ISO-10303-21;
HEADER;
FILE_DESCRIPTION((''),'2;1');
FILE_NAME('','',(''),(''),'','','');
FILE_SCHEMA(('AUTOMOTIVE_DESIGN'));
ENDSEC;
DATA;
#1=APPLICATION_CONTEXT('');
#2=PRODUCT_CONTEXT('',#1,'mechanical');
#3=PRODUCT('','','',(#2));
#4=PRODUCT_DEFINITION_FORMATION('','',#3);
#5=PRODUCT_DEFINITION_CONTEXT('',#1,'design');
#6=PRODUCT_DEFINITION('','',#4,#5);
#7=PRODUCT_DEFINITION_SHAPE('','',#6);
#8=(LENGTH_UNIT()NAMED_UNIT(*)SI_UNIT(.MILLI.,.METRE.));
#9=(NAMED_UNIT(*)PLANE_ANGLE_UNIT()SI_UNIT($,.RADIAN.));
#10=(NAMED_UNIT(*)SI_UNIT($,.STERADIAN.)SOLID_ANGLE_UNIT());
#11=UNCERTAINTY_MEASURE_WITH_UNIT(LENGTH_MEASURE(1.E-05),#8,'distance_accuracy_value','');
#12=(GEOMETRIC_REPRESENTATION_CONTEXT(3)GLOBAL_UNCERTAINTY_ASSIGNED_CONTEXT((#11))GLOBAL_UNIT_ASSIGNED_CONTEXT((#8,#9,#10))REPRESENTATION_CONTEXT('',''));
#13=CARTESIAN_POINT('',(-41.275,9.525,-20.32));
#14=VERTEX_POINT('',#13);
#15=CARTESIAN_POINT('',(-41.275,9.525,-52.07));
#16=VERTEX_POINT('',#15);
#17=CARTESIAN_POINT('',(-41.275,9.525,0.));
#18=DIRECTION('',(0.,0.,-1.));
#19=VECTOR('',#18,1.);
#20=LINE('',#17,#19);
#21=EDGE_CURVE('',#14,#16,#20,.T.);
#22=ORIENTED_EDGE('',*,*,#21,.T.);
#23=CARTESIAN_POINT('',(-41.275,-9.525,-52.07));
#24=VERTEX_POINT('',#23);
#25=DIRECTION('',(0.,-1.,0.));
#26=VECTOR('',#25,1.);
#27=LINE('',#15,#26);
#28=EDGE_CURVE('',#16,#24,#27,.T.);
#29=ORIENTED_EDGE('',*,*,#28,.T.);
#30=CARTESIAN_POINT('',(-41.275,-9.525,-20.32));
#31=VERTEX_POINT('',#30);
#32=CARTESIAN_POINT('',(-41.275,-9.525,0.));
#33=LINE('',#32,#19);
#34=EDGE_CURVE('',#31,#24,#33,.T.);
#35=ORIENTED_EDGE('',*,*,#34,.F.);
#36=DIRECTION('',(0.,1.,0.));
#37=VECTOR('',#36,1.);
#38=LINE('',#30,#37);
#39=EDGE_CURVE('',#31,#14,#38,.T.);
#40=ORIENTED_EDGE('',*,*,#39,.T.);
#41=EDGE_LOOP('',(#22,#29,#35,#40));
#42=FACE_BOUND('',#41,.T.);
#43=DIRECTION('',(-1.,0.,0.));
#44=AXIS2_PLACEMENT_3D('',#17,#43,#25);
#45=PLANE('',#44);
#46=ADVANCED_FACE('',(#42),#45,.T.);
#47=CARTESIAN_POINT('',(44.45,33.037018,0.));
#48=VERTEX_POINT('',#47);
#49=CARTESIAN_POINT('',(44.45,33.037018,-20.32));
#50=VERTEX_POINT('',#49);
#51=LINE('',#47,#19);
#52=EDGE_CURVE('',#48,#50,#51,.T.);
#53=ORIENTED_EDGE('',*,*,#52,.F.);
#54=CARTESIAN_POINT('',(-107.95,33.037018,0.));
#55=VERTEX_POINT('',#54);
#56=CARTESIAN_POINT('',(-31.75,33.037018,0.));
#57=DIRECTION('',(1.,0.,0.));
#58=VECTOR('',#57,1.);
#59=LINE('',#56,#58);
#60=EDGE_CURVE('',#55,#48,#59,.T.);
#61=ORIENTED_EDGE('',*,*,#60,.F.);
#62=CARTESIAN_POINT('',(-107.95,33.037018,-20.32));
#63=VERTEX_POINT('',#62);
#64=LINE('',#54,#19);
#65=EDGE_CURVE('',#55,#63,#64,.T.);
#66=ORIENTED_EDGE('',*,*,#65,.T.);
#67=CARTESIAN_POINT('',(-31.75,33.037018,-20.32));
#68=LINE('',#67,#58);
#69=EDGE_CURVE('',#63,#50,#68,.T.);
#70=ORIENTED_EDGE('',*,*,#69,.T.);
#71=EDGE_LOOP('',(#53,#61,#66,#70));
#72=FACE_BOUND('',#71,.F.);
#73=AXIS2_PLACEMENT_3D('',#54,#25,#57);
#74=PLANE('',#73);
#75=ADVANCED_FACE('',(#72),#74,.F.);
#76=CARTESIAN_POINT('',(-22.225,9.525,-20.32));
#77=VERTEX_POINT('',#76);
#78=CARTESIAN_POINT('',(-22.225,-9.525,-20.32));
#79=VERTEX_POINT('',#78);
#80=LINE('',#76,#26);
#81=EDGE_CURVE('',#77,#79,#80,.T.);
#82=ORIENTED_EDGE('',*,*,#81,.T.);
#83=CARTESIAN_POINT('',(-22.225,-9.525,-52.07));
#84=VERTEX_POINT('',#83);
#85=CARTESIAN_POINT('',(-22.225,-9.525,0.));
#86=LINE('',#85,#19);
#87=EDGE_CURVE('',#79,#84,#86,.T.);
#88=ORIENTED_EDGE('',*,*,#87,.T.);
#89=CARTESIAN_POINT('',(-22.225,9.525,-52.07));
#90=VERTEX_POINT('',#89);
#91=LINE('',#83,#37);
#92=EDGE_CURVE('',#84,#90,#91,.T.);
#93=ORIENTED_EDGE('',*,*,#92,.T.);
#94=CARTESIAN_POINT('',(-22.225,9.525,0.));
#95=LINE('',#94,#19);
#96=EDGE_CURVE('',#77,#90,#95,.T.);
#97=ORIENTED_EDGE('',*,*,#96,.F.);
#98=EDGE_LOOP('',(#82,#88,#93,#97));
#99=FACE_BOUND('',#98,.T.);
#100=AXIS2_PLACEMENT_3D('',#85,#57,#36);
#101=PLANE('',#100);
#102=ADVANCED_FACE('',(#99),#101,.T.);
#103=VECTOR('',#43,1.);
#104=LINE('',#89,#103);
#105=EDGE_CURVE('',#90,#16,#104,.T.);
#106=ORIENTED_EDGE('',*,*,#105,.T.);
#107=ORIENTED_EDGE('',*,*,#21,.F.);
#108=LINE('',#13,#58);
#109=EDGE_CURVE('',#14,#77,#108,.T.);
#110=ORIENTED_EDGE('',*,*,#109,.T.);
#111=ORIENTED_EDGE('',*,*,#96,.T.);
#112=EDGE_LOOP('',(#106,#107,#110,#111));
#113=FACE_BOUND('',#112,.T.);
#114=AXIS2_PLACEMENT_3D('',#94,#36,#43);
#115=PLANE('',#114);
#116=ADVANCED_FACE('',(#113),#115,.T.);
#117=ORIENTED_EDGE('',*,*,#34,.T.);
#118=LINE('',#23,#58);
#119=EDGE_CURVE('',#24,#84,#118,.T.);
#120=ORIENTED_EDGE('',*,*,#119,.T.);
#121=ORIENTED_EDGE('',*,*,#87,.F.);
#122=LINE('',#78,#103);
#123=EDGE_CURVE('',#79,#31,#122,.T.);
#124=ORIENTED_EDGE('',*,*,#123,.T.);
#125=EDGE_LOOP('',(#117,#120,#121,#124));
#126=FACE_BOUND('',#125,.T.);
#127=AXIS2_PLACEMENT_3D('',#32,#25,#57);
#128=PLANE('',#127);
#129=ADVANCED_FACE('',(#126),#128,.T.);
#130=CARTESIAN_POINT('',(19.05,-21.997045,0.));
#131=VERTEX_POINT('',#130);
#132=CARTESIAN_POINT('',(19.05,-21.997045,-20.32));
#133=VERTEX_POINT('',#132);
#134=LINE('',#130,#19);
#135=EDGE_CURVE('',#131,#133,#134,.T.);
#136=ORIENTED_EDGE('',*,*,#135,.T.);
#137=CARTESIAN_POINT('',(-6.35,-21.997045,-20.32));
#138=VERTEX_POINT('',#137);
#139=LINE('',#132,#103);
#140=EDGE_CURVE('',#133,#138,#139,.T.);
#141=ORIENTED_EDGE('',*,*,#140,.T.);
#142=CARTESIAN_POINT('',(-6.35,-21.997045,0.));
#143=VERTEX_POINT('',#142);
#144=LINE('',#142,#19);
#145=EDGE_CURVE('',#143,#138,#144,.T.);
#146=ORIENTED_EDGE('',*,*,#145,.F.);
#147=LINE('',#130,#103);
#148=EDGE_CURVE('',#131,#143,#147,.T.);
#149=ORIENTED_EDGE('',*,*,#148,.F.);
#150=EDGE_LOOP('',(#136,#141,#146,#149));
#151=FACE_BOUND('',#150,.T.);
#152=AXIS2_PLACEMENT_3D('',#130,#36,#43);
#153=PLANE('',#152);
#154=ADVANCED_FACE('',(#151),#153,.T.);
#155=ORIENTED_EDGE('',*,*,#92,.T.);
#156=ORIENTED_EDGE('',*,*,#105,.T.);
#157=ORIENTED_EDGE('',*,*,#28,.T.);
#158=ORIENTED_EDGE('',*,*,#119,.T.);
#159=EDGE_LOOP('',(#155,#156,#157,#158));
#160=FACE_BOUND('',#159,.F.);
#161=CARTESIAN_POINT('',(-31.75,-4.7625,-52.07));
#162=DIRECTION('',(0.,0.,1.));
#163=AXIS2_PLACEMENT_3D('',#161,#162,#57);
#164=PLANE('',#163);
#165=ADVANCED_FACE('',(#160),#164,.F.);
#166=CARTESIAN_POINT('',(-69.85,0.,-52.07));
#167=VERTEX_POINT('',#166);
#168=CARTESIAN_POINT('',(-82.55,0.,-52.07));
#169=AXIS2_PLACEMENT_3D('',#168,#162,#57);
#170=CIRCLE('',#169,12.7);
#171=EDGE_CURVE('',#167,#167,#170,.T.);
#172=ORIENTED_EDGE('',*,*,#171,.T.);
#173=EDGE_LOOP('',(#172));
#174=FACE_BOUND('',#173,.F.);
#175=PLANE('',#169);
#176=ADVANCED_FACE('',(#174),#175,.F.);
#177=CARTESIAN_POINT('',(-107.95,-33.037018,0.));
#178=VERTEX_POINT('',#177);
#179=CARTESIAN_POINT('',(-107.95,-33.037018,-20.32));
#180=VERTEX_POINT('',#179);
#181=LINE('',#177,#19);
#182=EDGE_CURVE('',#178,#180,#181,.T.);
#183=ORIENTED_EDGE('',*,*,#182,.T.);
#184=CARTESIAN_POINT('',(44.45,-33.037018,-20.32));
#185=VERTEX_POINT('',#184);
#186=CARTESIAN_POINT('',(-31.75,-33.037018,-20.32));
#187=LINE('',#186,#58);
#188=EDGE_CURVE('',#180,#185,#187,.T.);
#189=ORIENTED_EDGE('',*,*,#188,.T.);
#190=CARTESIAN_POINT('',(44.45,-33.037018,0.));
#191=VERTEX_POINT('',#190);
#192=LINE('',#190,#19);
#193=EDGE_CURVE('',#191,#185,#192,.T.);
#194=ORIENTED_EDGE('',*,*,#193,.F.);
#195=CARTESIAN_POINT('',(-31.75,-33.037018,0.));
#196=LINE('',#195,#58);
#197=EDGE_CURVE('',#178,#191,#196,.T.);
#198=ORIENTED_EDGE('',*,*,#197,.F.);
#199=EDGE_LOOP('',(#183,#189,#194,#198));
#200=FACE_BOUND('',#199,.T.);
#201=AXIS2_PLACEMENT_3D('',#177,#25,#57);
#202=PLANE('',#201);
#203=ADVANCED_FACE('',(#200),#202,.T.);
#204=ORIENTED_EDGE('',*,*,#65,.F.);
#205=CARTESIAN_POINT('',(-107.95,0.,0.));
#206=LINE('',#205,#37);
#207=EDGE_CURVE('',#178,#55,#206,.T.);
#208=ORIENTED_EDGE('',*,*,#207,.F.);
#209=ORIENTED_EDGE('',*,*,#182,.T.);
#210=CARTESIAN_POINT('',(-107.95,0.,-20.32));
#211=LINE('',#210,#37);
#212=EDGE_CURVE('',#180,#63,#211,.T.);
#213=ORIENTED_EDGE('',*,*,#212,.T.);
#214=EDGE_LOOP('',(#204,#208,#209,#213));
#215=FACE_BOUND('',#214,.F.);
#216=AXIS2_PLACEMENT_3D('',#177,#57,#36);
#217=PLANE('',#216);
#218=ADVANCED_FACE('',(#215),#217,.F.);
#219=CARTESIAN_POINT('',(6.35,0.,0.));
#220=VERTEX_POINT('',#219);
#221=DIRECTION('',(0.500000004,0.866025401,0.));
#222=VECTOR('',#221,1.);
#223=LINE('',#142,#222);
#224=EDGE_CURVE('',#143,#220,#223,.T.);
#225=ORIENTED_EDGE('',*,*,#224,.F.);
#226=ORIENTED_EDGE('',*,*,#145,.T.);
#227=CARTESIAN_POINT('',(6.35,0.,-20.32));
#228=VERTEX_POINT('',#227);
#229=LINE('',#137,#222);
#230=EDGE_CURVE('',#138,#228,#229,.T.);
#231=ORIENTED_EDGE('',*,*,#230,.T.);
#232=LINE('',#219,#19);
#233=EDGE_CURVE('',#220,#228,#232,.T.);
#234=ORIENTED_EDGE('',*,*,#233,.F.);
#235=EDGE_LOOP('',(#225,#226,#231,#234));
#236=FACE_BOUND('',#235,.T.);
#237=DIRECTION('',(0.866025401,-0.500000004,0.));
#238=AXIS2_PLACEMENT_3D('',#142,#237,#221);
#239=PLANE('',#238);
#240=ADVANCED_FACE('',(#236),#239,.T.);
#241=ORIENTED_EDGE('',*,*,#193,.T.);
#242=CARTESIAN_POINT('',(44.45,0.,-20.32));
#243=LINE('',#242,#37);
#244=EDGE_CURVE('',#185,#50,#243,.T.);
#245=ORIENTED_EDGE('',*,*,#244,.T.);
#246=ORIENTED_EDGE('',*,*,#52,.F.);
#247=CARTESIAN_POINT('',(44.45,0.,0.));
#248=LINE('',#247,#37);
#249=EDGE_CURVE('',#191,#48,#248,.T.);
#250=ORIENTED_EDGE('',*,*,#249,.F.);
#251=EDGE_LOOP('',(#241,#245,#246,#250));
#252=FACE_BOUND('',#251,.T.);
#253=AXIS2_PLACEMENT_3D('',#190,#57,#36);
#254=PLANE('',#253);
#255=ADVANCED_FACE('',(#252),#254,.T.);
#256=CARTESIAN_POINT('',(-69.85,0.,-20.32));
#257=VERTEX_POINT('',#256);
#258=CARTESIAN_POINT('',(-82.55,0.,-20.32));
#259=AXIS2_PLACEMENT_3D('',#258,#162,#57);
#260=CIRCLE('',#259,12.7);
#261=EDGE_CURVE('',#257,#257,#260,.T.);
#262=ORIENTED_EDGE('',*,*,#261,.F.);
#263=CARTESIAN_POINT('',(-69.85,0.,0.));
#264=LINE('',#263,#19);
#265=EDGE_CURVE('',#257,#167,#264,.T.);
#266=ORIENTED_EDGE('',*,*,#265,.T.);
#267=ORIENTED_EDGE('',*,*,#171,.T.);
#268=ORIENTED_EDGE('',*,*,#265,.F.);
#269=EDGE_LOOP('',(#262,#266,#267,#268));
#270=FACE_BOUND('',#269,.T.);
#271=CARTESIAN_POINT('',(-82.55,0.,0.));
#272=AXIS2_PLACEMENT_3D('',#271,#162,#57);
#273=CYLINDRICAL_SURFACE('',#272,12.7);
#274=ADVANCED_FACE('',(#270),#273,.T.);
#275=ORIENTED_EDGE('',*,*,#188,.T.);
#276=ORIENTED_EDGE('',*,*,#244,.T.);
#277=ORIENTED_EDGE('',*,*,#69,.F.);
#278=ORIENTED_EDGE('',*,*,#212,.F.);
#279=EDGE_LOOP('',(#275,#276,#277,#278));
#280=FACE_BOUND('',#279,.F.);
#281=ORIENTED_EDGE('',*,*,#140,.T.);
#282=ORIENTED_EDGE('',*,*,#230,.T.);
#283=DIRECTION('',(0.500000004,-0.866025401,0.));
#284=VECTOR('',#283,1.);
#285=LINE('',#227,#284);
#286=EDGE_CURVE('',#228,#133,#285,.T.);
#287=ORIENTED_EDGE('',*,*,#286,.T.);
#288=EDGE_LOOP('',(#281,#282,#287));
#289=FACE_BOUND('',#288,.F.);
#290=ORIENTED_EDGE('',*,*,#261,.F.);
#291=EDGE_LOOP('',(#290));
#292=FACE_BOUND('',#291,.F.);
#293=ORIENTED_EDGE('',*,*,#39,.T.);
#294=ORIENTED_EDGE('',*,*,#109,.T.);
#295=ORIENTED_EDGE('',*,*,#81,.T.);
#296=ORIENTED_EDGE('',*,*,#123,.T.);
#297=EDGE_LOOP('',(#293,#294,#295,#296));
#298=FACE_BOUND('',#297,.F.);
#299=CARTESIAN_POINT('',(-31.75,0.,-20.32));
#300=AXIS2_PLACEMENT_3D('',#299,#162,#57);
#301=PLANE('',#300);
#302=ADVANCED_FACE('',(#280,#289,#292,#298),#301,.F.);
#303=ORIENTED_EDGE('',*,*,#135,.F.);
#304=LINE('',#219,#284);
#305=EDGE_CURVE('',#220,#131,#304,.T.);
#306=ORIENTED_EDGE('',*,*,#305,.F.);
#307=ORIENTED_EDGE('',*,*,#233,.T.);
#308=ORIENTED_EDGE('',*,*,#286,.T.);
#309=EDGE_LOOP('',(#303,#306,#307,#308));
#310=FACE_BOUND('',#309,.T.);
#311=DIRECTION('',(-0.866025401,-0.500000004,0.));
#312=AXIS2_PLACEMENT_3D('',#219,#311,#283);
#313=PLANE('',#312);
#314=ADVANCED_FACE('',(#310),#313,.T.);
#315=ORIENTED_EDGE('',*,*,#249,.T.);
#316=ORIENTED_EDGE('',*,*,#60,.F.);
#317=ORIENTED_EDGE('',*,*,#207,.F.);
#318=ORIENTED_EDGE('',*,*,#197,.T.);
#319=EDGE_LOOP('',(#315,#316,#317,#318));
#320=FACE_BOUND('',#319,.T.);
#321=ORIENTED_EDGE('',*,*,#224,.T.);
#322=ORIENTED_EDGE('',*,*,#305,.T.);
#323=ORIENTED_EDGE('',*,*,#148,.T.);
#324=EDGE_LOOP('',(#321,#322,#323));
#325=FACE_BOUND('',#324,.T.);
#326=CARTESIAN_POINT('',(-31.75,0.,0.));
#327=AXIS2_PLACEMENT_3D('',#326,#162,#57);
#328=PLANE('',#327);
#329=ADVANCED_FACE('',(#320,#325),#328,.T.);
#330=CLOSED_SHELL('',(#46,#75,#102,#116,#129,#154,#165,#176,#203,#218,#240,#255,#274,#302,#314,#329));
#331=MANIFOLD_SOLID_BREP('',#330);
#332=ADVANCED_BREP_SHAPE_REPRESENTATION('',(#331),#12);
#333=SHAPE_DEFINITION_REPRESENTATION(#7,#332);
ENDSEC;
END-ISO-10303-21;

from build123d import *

# Parameters (mm, degrees)
F0_W     = 152.4
F0_H     = 66.074036
F0_R     = 12.7
F1_DEPTH = 20.32
F2_DEPTH = 52.07


with BuildPart() as f1:
    # F0 (on Top) → F1 (new body)
    with BuildSketch(Plane.XY):
        with Locations((-31.75, 0)):
            Rectangle(F0_W, F0_H)
        Polygon((-6.35, -21.997045), (6.35, 0), (19.05, -21.997045), align=None, mode=Mode.SUBTRACT)
        with Locations((-82.55, 0)):
            Circle(F0_R, mode=Mode.SUBTRACT)
        Polygon((-22.225, 9.525), (-22.225, 0), (-22.225, -9.525), (-41.275, -9.525), (-41.275, 0), (-41.275, 9.525), align=None, mode=Mode.SUBTRACT)
    extrude(amount=-F1_DEPTH)

    # F0 (on Top) → F2 (join)
    with BuildSketch(Plane.XY):
        Polygon((-22.225, -9.525), (-22.225, 0), (-31.75, 0), (-41.275, 0), (-41.275, -9.525), align=None)
        Polygon((-31.75, 0), (-22.225, 0), (-22.225, 9.525), (-41.275, 9.525), (-41.275, 0), align=None)
        with Locations((-82.55, 0)):
            Circle(F0_R)
    extrude(amount=-F2_DEPTH)


solid = f1.part
